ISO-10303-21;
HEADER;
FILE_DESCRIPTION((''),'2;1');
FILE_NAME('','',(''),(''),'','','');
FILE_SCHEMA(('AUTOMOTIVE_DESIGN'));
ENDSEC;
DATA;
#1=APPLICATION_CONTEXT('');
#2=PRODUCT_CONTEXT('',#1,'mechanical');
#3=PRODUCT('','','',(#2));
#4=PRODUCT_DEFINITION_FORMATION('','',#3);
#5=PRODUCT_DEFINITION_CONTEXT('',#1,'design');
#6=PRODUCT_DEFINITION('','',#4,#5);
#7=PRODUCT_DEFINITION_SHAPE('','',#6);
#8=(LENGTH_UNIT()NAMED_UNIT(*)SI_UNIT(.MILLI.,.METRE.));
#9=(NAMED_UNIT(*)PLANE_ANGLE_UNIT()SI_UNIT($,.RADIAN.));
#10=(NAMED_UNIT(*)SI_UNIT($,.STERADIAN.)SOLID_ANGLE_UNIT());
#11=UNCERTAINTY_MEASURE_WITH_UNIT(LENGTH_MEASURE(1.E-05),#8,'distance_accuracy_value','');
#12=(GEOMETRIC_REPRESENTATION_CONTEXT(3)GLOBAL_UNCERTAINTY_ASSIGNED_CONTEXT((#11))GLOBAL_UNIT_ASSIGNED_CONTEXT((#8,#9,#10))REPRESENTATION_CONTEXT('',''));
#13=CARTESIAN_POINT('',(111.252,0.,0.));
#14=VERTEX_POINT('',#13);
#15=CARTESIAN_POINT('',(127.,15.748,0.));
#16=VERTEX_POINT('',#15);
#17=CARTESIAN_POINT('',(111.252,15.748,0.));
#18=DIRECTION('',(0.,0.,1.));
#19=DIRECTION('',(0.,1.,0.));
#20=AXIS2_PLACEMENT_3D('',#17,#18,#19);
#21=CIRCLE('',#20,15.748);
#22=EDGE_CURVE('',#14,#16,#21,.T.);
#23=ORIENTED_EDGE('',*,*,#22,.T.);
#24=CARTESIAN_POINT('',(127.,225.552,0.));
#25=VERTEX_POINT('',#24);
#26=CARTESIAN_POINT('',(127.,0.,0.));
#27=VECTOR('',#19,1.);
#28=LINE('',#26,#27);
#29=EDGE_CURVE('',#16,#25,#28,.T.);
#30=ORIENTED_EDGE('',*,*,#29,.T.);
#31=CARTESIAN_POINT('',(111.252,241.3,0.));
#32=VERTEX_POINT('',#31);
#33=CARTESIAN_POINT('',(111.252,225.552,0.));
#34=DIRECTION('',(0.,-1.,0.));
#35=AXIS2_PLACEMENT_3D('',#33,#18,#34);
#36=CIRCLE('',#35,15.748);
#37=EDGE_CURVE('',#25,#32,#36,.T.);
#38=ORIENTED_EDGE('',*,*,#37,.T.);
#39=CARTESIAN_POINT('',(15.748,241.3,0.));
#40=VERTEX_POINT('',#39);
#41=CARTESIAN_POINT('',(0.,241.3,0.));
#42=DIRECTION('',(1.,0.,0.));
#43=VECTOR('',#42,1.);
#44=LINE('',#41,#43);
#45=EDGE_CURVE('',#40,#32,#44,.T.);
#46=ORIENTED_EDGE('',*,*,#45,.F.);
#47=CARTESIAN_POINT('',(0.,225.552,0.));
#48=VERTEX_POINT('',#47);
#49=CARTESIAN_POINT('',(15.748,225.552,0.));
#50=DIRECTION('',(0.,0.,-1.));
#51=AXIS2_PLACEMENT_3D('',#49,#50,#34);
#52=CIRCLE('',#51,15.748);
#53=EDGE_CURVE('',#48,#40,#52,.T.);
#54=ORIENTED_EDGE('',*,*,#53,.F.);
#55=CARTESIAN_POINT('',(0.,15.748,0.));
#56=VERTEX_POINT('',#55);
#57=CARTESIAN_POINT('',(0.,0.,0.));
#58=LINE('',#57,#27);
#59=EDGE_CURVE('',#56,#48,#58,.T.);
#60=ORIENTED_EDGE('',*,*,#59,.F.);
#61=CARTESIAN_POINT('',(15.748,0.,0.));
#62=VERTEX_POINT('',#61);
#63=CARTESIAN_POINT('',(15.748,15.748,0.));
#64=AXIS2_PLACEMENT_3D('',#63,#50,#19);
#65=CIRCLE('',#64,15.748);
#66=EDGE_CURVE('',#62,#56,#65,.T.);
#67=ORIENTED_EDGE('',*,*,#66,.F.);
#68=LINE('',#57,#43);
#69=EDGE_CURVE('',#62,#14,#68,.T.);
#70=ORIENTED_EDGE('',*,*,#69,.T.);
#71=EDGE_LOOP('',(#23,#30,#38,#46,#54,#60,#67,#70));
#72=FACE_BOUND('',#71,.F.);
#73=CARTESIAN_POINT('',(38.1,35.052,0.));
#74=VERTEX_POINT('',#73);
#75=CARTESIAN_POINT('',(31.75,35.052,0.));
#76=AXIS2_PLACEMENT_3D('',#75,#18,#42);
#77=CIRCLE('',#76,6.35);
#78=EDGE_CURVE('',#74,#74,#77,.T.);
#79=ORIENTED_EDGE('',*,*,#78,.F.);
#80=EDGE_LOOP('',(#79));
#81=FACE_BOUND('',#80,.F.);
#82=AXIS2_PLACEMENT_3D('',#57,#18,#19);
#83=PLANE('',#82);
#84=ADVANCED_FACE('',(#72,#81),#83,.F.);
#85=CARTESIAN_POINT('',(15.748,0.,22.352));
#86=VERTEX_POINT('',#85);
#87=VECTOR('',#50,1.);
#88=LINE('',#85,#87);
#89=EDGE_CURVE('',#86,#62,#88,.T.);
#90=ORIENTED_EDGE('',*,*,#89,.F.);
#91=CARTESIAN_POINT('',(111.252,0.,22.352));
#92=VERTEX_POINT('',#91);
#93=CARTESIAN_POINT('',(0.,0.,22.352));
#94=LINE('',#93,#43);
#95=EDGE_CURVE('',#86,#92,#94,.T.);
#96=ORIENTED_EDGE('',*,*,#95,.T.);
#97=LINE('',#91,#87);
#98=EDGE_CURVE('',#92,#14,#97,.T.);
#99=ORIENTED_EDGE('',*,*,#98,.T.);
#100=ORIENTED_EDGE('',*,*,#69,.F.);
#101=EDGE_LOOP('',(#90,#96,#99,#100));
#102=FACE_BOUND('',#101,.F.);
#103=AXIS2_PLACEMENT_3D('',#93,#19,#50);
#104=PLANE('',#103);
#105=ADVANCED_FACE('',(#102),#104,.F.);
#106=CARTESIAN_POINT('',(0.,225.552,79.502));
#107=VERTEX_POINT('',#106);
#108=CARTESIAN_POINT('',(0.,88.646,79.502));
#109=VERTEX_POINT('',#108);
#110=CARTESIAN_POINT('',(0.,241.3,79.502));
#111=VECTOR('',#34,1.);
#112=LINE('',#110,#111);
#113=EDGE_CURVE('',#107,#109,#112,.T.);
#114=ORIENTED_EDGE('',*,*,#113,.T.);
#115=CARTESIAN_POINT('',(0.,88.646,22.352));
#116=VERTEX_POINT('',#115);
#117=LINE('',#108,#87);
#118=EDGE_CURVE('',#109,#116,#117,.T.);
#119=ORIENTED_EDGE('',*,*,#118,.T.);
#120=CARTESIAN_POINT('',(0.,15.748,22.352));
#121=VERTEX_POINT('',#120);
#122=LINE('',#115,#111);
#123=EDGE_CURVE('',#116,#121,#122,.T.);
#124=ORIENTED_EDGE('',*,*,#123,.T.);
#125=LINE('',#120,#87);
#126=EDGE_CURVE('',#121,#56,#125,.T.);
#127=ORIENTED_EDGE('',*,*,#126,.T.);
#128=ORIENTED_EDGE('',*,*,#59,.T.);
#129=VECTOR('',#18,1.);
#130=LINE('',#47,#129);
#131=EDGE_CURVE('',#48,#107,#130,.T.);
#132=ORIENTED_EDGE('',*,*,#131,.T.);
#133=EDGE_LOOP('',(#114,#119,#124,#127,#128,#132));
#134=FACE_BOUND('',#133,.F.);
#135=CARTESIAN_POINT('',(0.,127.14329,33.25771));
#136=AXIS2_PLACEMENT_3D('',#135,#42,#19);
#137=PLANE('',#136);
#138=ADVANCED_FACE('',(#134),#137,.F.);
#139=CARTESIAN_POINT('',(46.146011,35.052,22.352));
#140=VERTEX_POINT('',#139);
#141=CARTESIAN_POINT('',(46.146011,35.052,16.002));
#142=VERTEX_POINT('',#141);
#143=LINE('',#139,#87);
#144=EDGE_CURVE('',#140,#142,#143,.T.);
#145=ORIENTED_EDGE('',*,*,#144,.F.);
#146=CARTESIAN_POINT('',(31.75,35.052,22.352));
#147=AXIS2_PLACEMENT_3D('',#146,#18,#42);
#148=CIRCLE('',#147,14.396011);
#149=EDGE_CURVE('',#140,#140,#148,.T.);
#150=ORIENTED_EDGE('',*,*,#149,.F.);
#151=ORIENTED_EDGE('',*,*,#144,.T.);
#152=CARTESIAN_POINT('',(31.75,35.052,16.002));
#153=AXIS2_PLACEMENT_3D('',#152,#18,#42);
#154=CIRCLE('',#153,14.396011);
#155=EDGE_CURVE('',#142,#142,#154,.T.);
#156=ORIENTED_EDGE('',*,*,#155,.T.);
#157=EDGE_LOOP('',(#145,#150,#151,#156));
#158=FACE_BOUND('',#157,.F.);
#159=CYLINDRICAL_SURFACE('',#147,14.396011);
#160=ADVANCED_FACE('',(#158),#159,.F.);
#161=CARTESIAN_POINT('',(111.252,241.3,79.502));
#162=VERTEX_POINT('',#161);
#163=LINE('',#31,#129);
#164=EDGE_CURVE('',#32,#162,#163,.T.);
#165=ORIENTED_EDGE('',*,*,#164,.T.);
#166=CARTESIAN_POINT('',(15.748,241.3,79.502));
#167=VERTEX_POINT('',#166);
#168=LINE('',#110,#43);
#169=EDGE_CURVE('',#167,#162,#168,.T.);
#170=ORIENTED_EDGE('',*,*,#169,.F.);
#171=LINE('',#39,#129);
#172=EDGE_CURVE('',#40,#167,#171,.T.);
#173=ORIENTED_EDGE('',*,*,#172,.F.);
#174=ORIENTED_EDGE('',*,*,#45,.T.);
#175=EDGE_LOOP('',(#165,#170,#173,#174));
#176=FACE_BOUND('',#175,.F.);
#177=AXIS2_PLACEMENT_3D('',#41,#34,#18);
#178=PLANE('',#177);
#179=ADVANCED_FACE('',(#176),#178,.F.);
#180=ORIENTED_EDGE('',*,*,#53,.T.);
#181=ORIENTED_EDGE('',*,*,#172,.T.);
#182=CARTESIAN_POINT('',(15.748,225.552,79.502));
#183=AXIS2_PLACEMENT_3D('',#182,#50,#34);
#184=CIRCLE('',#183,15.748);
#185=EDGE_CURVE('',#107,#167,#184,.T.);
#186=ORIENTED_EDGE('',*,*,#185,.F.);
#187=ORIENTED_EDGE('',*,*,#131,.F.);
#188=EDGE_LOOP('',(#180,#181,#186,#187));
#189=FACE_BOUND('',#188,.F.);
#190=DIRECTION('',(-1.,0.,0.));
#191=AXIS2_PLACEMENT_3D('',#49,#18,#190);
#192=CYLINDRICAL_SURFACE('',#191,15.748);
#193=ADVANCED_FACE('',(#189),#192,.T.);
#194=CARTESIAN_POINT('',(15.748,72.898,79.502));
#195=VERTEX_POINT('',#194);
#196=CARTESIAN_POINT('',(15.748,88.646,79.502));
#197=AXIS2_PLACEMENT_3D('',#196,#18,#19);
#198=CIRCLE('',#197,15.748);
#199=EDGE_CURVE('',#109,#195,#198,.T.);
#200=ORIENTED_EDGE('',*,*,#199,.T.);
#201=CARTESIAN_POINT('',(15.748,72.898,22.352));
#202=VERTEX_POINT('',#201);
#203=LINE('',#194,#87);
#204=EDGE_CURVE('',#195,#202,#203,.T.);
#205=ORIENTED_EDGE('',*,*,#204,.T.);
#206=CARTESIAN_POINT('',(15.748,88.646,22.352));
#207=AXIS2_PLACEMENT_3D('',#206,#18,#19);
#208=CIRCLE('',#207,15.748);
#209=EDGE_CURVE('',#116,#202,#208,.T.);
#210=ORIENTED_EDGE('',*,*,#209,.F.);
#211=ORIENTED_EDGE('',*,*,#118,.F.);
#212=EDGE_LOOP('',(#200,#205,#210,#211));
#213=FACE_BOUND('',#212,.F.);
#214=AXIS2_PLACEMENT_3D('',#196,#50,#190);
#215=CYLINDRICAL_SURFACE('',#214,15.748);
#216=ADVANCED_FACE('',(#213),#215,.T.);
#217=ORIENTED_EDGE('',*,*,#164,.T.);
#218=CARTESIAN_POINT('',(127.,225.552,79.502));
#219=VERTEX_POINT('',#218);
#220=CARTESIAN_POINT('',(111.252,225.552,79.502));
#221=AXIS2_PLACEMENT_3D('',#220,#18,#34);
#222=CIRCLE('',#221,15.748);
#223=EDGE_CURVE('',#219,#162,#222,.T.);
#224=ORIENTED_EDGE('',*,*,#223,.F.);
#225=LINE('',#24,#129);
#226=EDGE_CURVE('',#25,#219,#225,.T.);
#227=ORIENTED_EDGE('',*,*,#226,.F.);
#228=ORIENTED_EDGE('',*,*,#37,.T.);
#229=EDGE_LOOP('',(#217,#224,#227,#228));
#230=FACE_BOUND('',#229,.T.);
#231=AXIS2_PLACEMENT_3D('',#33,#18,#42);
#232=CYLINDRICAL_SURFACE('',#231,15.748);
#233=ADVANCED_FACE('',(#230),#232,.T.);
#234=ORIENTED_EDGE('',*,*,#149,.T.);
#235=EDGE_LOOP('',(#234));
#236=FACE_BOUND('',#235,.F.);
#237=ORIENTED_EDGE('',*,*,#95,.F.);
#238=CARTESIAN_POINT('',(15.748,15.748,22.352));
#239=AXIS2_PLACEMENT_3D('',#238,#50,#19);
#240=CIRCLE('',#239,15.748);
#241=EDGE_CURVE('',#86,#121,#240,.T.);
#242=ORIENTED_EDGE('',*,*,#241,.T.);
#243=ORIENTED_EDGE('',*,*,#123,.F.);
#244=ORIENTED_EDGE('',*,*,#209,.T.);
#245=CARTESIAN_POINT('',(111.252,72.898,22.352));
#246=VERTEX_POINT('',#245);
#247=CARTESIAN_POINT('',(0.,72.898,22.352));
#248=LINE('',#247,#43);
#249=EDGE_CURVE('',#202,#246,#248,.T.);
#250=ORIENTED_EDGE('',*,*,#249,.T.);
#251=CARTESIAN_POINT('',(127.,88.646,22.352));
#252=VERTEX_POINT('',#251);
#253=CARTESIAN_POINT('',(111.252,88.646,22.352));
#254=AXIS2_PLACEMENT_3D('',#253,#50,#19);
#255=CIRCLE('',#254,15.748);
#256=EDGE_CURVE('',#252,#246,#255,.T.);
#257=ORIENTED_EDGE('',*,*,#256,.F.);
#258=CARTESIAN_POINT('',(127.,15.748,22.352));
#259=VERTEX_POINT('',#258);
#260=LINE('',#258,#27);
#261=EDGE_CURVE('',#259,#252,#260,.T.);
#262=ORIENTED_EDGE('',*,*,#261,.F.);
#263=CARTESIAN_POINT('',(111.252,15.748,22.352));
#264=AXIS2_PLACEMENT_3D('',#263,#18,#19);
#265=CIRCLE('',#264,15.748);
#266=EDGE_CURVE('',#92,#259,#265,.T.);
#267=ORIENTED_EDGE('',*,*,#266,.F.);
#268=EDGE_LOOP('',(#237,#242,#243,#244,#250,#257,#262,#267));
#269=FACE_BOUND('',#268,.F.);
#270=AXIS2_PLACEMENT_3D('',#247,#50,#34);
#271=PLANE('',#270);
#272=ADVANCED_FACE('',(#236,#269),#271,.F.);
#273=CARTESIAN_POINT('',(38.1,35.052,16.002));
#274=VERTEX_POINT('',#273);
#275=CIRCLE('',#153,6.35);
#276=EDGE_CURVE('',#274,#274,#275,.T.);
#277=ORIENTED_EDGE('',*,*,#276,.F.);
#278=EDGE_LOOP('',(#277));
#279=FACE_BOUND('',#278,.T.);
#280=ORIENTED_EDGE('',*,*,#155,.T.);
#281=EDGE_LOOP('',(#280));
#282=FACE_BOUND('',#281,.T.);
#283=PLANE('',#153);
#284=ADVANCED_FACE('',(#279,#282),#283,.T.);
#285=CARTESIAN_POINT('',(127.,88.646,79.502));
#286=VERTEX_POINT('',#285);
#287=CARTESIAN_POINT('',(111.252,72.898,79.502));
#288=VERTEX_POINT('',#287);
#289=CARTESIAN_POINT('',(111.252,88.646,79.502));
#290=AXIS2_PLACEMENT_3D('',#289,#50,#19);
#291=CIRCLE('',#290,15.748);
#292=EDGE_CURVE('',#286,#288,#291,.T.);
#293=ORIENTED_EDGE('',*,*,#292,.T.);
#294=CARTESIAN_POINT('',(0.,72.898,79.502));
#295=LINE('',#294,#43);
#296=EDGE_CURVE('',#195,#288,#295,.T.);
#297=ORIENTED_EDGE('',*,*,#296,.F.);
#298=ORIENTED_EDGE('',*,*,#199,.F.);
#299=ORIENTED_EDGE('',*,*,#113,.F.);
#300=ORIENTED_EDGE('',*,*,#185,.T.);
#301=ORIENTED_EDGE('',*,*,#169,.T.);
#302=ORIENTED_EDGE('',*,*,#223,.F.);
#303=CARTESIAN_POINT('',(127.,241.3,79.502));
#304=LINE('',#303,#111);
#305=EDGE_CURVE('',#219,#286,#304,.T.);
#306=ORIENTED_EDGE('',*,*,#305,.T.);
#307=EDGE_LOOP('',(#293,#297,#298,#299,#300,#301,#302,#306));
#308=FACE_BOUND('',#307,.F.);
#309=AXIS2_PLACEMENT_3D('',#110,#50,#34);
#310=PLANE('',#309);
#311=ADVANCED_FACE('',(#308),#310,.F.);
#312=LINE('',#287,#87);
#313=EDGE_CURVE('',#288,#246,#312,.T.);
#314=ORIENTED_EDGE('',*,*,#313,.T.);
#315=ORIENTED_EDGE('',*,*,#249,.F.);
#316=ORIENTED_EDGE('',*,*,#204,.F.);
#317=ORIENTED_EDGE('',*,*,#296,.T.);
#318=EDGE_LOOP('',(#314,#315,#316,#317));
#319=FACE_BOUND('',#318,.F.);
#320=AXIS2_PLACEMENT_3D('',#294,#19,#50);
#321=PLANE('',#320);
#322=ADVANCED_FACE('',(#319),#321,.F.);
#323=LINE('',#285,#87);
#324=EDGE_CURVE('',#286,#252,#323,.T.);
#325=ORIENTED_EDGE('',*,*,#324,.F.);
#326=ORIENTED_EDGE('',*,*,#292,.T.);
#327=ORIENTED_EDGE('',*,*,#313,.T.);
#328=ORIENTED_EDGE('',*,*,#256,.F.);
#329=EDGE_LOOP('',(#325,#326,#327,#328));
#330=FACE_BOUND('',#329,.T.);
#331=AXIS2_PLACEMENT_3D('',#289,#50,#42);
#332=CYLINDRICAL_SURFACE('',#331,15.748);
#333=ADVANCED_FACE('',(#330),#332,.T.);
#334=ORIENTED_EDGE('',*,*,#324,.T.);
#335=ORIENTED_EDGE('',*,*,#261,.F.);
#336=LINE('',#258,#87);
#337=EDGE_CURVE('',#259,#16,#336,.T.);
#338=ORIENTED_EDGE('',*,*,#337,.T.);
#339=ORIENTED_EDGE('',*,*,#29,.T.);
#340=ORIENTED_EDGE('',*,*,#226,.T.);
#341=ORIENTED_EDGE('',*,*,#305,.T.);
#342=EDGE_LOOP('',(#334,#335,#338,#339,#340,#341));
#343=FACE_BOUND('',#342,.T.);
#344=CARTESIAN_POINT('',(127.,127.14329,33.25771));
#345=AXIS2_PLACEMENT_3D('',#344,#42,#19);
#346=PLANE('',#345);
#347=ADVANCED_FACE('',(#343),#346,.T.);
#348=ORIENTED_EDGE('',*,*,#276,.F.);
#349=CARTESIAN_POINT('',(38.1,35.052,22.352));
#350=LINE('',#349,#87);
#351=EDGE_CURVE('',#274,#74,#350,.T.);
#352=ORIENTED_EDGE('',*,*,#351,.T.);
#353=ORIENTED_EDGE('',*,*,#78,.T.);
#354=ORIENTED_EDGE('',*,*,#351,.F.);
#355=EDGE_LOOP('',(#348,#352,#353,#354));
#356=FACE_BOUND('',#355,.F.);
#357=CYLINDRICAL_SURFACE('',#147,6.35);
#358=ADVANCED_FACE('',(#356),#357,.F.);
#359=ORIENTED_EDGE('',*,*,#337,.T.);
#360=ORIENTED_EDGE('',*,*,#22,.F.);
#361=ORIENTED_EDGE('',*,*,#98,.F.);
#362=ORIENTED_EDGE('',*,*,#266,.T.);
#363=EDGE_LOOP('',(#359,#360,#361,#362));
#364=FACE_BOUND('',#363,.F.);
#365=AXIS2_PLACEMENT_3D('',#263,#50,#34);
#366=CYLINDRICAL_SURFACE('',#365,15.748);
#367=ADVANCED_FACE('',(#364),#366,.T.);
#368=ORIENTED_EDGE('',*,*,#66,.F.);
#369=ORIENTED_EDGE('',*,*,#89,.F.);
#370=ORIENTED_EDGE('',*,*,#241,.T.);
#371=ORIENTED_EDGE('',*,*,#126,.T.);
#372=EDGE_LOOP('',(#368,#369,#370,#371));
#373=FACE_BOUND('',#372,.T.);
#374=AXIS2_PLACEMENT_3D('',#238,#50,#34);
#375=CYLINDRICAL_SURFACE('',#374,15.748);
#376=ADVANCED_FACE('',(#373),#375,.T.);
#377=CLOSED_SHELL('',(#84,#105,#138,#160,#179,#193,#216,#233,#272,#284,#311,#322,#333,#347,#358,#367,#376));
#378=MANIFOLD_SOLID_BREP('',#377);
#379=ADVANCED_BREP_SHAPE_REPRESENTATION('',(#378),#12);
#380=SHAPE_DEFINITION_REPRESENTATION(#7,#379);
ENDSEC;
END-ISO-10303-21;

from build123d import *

# Parameters (mm, degrees)
F1_DEPTH = 127
F3_R     = 6.35
F4_DEPTH = 22.353
F2_R     = 14.396011
F5_DEPTH = 6.35
F6_R     = 15.748


with BuildPart() as f1:
    # F0 (on Right) → F1 (new body)
    with BuildSketch(Plane.YZ):
        Polygon((0, 22.352), (0, 0), (241.3, 0), (241.3, 79.502), (72.898, 79.502), (72.898, 22.352), align=None)
    extrude(amount=F1_DEPTH)

    # F3 (on face) → F4 (cut, through all)
    with BuildSketch(Plane.XY.offset(22.352)):
        with Locations((31.75, 35.052)):
            Circle(F3_R)
    extrude(amount=-F4_DEPTH, mode=Mode.SUBTRACT)

    # F2 (on face) → F5 (cut)
    with BuildSketch(Plane.XY.offset(22.352)):
        with Locations((31.75, 35.052)):
            Circle(F2_R)
    extrude(amount=-F5_DEPTH, mode=Mode.SUBTRACT)

    # F6
    f6_edges = [f1.edges().sort_by_distance(p)[0] for p in [
        (127, 72.898, 50.927),
        (127, 0, 11.176),
        (0, 0, 11.176),
        (0, 72.898, 50.927),
        (0, 241.3, 39.751),
        (127, 241.3, 39.751),
    ]]
    fillet(f6_edges, radius=F6_R)


solid = f1.part
